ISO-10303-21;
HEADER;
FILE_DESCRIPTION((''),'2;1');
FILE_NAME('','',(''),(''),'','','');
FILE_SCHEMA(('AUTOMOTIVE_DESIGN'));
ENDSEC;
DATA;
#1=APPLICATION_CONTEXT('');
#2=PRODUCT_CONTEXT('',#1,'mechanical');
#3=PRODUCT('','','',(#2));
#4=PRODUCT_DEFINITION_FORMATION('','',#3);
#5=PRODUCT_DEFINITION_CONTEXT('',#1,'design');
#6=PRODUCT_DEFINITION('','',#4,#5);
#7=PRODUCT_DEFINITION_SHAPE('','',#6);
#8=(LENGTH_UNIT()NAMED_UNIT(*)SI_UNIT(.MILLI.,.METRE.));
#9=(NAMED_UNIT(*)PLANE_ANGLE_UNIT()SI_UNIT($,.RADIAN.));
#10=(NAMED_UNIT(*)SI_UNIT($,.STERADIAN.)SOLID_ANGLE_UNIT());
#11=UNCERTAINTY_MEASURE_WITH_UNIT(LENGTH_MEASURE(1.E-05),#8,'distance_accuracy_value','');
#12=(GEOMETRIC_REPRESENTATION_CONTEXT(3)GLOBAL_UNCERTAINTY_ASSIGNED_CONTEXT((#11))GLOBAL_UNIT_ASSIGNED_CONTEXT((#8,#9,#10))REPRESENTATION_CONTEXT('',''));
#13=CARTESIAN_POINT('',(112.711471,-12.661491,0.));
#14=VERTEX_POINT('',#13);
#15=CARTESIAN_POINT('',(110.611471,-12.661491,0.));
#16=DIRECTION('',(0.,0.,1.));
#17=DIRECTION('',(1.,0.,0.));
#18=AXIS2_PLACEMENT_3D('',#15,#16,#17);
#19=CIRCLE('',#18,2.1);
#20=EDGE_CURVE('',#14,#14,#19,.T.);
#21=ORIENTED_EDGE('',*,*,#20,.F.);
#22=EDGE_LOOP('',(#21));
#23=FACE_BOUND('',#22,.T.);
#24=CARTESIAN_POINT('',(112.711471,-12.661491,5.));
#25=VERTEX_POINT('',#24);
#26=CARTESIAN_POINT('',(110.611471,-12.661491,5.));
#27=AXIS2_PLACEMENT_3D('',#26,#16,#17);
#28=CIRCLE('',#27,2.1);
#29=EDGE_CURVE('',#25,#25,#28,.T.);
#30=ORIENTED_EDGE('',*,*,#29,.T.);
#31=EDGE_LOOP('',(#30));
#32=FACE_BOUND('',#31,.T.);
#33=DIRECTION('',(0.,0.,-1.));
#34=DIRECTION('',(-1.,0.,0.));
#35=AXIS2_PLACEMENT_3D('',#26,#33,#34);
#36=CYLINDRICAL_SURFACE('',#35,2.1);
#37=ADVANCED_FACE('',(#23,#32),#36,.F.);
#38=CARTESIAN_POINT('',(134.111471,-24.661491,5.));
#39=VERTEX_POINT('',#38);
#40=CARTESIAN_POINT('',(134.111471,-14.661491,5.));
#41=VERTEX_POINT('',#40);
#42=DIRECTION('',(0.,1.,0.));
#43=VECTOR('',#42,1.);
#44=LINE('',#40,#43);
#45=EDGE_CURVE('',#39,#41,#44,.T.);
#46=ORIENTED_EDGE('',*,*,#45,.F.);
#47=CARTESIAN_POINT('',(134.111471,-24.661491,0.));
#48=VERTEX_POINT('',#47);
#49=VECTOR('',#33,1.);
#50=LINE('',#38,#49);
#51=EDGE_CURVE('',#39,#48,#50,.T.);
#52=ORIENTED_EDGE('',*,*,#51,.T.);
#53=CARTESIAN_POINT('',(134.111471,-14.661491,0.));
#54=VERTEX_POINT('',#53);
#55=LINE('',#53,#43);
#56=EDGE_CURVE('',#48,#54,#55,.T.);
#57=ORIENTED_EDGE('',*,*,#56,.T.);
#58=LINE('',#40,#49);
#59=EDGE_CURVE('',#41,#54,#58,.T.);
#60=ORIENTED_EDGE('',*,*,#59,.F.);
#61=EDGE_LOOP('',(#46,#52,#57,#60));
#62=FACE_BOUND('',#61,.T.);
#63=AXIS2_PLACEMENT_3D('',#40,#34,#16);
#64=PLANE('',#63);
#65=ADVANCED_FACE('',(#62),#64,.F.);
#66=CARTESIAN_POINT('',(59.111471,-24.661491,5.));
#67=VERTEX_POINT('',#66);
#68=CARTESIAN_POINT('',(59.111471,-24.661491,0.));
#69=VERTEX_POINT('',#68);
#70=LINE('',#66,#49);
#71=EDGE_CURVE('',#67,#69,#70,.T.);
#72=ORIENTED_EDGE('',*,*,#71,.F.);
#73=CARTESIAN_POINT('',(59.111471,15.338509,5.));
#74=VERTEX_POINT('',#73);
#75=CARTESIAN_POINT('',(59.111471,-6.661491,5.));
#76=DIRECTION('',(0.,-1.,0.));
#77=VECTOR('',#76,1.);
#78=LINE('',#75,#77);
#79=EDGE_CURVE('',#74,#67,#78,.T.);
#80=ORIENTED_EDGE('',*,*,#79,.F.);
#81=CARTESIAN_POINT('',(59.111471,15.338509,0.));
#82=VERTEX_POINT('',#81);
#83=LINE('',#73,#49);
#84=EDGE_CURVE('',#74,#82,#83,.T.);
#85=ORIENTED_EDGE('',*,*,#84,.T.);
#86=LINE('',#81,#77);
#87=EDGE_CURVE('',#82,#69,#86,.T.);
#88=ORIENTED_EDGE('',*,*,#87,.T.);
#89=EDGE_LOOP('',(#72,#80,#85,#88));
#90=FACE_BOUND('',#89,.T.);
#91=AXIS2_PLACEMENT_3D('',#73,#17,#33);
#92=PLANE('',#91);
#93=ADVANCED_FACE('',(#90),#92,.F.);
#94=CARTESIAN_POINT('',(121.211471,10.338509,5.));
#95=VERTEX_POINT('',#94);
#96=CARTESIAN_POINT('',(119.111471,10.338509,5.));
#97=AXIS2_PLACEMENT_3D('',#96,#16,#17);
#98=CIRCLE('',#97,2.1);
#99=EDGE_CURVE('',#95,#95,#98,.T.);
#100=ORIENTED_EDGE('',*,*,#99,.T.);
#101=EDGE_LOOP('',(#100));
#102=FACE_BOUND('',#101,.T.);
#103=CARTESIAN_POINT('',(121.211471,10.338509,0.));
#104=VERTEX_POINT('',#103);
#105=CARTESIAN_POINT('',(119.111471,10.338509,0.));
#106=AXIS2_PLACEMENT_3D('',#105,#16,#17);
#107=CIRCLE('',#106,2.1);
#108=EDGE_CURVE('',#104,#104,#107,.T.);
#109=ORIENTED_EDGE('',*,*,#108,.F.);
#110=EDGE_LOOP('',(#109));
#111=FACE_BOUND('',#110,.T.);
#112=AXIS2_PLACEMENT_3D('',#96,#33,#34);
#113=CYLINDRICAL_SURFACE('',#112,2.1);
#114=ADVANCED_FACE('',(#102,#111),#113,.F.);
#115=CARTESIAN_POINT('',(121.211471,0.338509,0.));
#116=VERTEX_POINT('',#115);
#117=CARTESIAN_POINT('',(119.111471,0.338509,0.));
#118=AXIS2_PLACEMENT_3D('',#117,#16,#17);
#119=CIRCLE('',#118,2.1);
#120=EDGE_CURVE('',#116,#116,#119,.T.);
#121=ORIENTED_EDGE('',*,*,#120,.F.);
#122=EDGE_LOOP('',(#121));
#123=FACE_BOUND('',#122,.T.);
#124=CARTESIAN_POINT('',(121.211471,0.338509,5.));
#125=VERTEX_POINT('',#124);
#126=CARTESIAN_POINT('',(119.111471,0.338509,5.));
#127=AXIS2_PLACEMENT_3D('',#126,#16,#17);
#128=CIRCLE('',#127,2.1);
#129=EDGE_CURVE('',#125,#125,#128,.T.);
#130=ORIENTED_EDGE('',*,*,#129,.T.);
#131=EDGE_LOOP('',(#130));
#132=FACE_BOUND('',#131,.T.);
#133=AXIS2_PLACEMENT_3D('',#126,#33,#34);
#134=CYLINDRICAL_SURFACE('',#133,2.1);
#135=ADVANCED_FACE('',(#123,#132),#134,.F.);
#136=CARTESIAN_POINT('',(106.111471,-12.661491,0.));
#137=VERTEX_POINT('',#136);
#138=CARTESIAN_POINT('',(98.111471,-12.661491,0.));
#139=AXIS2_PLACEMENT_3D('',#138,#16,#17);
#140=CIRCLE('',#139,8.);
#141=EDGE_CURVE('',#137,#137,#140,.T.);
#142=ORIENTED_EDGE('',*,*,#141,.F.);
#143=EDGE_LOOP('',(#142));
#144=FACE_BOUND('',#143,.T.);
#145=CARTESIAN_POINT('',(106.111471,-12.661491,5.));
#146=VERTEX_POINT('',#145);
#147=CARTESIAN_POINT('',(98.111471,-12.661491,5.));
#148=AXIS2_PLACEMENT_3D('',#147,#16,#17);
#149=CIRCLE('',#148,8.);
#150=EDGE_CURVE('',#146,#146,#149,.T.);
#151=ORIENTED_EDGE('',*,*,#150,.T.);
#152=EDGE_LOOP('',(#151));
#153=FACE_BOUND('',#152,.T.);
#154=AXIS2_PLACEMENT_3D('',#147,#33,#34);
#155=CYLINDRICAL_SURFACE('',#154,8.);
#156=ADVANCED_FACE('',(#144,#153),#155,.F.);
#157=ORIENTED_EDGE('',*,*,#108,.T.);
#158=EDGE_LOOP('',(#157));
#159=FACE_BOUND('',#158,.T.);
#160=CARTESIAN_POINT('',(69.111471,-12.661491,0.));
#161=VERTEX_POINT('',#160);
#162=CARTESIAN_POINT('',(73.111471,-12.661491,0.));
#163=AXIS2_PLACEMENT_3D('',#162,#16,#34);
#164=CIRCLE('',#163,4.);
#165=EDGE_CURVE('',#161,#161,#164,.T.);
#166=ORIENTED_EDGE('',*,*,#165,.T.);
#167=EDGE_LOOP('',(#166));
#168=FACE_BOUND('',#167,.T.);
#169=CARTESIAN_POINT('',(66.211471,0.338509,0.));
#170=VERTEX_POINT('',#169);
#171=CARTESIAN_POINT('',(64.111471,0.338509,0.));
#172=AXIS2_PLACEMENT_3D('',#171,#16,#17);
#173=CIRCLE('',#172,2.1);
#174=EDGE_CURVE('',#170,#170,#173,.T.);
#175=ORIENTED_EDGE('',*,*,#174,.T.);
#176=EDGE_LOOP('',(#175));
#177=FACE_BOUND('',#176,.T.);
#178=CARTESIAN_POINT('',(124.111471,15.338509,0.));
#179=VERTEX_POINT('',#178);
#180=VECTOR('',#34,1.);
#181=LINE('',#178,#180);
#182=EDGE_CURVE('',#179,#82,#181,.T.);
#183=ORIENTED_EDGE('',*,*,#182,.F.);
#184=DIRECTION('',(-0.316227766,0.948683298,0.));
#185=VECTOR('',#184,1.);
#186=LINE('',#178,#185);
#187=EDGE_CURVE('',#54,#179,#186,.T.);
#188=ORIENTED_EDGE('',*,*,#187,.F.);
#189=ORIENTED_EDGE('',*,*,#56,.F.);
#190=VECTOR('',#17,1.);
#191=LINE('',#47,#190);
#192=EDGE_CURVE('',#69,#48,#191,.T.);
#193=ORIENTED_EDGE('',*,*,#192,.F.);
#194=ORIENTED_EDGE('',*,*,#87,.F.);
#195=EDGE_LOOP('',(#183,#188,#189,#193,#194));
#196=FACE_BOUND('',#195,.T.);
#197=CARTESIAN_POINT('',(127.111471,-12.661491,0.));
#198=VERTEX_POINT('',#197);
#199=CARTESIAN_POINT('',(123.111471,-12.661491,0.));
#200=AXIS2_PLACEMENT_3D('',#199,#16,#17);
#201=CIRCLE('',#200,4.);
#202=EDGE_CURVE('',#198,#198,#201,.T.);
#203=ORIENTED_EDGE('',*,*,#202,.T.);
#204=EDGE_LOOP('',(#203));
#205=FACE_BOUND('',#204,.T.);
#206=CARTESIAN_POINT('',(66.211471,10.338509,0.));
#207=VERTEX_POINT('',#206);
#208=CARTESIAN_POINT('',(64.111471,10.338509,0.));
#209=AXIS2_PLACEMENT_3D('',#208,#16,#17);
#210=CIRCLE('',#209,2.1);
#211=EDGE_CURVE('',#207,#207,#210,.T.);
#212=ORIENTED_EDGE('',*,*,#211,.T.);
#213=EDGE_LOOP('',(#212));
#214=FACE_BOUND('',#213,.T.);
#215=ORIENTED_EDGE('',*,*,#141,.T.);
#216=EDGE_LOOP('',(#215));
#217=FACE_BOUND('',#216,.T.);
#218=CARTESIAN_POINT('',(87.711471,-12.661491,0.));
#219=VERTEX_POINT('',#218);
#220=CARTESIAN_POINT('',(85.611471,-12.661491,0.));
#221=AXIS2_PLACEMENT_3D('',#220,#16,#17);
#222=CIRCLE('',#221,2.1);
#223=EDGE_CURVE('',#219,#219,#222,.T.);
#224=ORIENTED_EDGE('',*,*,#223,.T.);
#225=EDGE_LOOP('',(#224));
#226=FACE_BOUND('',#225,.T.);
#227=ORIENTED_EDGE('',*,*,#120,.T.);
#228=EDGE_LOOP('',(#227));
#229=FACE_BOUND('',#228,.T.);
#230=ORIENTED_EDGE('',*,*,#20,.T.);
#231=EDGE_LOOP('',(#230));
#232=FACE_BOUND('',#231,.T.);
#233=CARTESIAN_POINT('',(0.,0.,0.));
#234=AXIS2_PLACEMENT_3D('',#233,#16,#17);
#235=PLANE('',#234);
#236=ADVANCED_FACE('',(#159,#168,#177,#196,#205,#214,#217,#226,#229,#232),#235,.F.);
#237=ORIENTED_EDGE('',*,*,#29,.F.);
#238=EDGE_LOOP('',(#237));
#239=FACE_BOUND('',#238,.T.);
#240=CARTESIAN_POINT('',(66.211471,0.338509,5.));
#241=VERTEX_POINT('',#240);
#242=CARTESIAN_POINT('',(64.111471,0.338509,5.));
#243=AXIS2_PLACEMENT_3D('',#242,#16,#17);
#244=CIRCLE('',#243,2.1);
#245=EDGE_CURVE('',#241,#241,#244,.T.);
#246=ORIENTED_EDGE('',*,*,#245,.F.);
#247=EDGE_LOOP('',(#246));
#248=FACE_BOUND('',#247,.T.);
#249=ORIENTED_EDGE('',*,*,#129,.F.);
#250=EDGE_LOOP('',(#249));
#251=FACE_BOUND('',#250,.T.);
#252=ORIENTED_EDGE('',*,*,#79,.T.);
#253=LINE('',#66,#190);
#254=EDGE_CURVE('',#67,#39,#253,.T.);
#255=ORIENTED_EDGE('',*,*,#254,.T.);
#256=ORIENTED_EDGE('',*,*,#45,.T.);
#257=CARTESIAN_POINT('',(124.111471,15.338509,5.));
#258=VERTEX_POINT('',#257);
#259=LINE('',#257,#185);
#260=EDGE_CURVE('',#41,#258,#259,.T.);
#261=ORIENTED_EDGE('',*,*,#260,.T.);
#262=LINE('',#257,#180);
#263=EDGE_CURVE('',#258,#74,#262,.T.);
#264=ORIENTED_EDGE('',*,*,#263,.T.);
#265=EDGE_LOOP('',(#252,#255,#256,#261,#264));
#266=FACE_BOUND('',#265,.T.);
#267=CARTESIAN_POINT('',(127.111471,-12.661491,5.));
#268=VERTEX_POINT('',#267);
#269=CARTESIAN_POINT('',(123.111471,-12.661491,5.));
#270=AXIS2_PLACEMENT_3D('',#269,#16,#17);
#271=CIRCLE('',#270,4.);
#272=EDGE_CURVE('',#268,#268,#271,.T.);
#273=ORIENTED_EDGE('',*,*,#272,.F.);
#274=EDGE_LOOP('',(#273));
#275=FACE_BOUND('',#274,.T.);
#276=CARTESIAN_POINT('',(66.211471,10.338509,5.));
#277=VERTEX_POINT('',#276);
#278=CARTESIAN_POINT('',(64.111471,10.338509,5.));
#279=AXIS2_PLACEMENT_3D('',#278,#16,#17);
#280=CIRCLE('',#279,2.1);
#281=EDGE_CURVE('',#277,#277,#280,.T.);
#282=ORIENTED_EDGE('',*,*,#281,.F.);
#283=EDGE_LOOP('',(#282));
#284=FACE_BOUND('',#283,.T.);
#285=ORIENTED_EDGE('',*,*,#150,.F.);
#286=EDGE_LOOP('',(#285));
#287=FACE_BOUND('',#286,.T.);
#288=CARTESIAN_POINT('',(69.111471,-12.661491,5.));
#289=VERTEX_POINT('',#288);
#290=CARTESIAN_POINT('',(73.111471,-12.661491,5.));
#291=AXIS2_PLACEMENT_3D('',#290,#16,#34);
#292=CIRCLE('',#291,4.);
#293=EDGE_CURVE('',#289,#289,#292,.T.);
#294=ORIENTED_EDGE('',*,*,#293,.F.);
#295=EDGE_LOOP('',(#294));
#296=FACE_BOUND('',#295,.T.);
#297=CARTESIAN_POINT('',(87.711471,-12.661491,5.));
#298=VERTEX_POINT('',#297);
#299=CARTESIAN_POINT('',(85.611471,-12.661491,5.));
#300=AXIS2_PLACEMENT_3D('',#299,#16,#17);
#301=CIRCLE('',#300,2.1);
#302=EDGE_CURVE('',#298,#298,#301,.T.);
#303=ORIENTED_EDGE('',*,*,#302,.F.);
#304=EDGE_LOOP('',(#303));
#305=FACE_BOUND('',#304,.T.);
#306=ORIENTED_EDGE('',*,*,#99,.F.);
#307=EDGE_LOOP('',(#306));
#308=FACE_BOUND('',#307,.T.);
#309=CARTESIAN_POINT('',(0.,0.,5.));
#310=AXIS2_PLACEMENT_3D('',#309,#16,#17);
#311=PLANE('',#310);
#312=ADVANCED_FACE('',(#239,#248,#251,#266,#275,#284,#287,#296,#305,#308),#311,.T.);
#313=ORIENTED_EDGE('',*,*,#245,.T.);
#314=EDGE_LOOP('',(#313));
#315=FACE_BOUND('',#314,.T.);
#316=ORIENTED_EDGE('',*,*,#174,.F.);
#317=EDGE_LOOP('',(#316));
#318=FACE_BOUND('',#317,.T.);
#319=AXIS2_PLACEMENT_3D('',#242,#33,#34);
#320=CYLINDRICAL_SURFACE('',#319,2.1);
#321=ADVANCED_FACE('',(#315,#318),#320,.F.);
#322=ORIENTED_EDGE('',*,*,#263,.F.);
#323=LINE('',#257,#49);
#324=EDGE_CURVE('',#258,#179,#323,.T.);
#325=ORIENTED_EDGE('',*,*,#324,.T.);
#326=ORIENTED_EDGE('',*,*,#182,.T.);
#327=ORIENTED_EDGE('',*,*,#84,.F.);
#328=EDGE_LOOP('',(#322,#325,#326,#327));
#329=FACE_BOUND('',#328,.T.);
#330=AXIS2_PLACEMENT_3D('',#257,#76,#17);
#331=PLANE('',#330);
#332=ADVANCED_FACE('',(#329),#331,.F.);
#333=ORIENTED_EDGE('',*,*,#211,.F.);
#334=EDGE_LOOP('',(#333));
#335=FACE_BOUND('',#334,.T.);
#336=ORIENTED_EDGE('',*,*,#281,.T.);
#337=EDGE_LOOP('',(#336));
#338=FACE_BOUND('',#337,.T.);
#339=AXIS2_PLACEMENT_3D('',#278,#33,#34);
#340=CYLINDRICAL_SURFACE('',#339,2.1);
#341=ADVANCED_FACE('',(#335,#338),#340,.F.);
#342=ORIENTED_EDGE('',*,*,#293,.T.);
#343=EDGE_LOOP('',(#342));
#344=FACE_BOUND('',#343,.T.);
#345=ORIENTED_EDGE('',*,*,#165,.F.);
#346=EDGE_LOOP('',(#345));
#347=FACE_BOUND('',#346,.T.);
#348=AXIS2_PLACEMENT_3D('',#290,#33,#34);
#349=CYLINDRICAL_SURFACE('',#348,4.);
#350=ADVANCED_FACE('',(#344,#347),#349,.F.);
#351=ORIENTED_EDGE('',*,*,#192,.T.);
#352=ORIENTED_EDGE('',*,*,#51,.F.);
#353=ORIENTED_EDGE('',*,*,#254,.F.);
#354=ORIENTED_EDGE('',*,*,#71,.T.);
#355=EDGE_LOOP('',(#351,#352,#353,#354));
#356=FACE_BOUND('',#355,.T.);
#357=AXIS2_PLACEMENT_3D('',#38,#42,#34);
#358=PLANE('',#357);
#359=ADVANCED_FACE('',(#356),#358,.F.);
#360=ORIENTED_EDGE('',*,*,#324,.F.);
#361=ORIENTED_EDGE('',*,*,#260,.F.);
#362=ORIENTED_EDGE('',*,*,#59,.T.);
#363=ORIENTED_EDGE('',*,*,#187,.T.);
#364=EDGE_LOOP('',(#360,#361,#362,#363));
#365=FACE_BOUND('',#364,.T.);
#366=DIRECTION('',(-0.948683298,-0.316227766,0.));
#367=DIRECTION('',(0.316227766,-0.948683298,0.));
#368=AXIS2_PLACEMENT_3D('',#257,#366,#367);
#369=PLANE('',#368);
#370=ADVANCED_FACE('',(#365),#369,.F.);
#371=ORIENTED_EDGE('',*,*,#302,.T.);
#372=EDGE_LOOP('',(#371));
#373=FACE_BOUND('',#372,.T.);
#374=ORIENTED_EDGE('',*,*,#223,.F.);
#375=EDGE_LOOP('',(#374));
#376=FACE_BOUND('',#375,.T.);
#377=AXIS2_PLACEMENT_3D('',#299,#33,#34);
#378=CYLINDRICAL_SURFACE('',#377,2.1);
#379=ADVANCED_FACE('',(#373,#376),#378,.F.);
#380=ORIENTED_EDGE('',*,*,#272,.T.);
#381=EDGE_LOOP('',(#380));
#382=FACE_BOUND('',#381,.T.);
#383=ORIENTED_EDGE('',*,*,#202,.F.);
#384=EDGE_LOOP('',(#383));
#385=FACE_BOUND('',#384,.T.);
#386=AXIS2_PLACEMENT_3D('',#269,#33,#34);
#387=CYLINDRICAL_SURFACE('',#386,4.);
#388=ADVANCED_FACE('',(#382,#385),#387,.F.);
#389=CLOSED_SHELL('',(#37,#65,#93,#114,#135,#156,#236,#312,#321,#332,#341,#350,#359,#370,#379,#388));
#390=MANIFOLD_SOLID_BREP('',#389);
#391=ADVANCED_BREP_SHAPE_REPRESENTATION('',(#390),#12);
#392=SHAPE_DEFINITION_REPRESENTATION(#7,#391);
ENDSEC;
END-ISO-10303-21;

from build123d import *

# Parameters (mm, degrees)
SKETCH1_R           = 2.1
SKETCH1_R_2         = 4
SKETCH1_R_3         = 8
BOSS_EXTRUDE1_DEPTH = 5


with BuildPart() as part:
    # Sketch1 → Boss-Extrude1 (new body)
    with BuildSketch(Plane.XY):
        Polygon((124.111470678, 15.338509317), (59.111470678, 15.338509317), (59.111470678, -6.661490683), (59.111470678, -24.661490683), (124.111470678, -24.661490683), (134.111470678, -24.661490683), (134.111470678, -14.661490683), align=None)
        with Locations((64.111470678, 10.338509317)):
            Circle(SKETCH1_R, mode=Mode.SUBTRACT)
        with Locations((119.111470678, 10.338509317)):
            Circle(SKETCH1_R, mode=Mode.SUBTRACT)
        with Locations((64.111470678, 0.338509317)):
            Circle(SKETCH1_R, mode=Mode.SUBTRACT)
        with Locations((119.111470678, 0.338509317)):
            Circle(SKETCH1_R, mode=Mode.SUBTRACT)
        with Locations((123.111470678, -12.661490683)):
            Circle(SKETCH1_R_2, mode=Mode.SUBTRACT)
        with Locations((98.111470678, -12.661490683)):
            Circle(SKETCH1_R_3, mode=Mode.SUBTRACT)
        with Locations((85.611470678, -12.661490683)):
            Circle(SKETCH1_R, mode=Mode.SUBTRACT)
        with Locations((110.611470678, -12.661490683)):
            Circle(SKETCH1_R, mode=Mode.SUBTRACT)
        with Locations(Location((73.111470678, -12.661490683, 0), (0, 0, 180))):
            Circle(SKETCH1_R_2, mode=Mode.SUBTRACT)
    extrude(amount=BOSS_EXTRUDE1_DEPTH)


solid = part.part
